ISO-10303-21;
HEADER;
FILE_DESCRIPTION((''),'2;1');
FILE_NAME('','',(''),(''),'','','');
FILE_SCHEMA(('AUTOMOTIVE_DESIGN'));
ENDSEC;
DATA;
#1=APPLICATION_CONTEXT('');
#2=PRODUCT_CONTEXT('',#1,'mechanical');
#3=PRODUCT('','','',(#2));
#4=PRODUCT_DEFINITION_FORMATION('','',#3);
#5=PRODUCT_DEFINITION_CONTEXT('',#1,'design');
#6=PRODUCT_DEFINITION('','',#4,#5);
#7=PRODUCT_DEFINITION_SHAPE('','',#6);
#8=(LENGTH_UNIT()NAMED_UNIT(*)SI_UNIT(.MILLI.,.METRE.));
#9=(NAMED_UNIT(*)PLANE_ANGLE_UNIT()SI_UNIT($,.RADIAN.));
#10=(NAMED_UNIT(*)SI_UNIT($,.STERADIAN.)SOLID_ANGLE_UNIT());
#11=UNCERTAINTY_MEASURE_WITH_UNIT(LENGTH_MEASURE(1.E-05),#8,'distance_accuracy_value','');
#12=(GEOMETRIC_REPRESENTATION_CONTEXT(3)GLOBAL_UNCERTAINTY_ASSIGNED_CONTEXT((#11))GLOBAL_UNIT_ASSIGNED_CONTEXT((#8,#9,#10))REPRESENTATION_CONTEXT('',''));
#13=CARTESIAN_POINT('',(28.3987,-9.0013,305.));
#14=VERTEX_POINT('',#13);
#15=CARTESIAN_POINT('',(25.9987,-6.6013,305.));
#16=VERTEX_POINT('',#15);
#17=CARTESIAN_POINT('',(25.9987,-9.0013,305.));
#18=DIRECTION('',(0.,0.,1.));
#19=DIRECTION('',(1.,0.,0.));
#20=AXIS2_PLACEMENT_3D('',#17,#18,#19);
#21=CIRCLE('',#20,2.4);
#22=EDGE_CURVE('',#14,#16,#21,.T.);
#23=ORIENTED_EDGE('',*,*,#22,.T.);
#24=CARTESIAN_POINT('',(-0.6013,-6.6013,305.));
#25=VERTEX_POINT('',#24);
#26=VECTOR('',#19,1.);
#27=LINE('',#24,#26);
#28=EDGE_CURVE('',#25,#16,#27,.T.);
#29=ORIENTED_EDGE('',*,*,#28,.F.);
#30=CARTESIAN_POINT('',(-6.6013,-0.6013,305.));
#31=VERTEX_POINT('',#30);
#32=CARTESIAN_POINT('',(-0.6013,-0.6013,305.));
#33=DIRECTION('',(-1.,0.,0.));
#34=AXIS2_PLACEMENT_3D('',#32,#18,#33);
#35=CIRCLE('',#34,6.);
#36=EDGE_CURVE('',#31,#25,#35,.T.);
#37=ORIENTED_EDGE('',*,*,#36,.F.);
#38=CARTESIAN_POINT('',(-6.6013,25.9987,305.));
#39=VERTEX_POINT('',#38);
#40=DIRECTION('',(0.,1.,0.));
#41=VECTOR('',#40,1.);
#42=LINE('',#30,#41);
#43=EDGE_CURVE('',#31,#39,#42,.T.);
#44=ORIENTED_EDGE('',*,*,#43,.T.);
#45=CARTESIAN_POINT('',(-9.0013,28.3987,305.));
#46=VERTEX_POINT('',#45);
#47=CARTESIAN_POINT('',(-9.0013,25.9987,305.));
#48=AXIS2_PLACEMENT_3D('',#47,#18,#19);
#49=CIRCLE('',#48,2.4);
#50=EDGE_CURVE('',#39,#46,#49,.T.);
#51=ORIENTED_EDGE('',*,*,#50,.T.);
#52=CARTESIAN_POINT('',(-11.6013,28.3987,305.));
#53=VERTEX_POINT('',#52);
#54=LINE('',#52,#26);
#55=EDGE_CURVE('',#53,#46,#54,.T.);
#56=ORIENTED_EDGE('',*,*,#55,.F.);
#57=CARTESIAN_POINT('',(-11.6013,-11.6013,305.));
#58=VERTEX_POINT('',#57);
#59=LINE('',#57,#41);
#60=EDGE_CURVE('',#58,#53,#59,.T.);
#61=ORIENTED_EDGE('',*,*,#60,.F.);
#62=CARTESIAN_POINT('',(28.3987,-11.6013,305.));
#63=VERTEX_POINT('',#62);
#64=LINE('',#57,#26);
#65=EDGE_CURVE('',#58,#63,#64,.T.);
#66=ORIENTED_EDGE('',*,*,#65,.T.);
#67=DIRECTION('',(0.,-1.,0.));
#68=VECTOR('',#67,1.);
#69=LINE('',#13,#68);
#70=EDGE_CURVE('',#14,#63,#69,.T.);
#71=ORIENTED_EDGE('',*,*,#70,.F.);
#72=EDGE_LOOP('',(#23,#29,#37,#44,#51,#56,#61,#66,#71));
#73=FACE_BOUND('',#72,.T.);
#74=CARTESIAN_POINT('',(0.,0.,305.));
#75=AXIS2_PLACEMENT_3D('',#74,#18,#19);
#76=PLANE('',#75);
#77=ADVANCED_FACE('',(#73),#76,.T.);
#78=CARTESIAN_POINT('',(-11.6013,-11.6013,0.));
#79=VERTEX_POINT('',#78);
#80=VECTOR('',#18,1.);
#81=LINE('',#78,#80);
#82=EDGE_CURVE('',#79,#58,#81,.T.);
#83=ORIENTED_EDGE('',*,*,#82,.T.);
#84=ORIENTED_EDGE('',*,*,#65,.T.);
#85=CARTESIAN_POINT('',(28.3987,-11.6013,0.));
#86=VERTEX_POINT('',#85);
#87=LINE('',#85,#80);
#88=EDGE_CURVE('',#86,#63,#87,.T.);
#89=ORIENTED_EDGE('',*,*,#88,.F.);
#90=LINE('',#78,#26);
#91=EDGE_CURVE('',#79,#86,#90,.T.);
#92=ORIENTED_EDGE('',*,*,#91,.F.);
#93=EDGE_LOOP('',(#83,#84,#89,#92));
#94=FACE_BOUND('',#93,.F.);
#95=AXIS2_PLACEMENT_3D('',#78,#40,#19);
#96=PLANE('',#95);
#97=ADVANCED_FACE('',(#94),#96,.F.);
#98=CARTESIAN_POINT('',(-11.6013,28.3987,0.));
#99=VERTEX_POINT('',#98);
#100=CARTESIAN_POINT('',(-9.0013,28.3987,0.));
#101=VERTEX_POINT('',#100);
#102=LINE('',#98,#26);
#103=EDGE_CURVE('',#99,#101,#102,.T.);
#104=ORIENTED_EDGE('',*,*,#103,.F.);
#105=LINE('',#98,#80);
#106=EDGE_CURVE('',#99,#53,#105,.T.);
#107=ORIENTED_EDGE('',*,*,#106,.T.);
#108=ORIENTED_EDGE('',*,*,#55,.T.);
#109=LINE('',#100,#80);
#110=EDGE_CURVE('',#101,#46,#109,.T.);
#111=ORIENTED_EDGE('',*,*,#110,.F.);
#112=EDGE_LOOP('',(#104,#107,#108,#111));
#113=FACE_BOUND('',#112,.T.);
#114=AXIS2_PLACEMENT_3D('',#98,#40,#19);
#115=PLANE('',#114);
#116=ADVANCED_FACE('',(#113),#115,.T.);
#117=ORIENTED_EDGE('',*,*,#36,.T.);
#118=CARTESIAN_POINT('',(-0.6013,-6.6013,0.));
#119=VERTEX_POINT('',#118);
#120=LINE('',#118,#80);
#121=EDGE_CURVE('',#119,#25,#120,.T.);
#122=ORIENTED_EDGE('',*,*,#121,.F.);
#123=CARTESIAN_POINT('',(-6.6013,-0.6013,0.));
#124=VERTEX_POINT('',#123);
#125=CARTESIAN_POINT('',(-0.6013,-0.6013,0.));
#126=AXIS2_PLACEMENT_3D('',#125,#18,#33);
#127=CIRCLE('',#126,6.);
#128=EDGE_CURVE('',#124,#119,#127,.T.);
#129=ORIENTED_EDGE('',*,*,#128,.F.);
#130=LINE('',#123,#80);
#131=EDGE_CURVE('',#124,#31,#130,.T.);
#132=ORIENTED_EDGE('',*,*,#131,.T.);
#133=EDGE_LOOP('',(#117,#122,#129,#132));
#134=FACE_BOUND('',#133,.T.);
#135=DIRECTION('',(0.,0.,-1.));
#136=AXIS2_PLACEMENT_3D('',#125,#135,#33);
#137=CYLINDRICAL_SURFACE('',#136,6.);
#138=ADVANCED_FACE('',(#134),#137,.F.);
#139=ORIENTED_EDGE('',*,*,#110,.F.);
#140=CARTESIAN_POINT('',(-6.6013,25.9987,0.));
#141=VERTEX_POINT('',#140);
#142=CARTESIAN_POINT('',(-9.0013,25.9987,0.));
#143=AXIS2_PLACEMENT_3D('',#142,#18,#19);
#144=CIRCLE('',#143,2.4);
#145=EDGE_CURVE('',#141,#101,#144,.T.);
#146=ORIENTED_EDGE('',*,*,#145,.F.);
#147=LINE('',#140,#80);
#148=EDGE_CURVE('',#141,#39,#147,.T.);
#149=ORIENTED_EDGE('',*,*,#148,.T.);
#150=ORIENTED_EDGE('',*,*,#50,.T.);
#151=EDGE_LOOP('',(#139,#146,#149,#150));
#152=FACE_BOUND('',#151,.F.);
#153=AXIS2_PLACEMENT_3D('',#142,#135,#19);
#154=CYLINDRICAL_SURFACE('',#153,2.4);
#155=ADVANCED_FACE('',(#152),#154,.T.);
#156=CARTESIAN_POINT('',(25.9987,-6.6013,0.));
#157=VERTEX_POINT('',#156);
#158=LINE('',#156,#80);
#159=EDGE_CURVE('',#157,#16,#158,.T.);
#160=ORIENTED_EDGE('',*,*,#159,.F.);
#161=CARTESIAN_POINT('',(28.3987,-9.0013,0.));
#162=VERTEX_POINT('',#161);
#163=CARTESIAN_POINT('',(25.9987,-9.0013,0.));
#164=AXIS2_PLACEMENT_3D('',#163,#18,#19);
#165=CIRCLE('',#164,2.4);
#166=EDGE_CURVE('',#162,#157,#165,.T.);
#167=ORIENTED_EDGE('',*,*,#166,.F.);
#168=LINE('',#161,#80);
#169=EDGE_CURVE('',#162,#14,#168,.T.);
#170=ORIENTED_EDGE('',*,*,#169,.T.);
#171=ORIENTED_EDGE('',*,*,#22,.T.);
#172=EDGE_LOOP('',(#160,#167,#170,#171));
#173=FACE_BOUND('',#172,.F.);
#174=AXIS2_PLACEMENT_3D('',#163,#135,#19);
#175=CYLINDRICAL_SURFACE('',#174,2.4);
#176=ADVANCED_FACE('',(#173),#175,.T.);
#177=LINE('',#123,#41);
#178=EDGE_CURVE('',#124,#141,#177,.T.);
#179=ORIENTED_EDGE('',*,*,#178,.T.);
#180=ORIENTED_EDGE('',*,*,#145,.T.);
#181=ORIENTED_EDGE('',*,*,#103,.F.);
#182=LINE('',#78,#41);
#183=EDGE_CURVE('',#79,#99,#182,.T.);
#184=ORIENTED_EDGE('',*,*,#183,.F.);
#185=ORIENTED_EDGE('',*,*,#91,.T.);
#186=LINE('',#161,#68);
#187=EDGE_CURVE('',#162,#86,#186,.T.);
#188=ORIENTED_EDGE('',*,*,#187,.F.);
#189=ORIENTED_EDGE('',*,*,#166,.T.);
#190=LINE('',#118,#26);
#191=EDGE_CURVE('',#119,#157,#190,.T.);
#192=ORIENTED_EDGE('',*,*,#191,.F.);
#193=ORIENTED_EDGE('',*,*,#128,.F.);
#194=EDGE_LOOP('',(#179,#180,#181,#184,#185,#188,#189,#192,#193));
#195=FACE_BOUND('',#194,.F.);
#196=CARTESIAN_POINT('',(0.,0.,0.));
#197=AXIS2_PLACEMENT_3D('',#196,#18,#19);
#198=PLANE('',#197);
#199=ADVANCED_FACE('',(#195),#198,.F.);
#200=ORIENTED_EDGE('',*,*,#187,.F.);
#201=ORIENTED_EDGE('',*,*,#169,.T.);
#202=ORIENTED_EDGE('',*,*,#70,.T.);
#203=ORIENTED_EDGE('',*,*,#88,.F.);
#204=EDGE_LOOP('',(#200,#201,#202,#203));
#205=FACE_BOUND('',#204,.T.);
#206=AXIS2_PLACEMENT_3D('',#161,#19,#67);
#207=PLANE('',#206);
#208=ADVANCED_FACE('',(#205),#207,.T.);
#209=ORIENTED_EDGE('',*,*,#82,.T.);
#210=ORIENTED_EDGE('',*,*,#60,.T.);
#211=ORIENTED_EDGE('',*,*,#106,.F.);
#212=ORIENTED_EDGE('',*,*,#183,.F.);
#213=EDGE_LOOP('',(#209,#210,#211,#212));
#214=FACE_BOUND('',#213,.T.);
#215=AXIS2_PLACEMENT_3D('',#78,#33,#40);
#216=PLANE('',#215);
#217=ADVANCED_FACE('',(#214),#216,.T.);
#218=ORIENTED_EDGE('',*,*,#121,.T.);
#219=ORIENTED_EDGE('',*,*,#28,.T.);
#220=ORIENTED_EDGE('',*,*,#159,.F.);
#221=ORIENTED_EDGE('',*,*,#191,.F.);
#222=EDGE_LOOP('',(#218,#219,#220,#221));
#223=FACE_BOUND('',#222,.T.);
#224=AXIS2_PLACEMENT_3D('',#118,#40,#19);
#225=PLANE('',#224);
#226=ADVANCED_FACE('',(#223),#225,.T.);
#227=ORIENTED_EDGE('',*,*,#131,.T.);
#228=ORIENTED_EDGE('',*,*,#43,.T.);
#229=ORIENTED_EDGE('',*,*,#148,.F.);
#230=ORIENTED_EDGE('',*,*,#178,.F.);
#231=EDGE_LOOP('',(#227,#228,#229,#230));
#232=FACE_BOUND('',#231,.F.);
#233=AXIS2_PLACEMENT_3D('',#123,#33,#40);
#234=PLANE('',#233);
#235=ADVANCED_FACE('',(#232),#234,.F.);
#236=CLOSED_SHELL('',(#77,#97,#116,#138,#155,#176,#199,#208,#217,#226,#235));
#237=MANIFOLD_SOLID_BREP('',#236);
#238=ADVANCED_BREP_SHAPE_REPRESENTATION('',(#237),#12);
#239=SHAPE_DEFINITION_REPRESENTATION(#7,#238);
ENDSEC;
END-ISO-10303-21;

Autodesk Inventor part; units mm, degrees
ref_plane "YZ Plane" through (0, 0, 0) normal (1, 0, 0) x (0, 1, 0)
ref_plane "Start Plane" through (0, 0, 0) normal (0, 0, 1) x (1, 0, 0)
ref_plane "End Plane" through (0, 0, 305) normal (0, 0, 1) x (1, 0, 0)
sketch "Sketch" plane through (0, 0, 0) normal (0, 0, 1) x (1, 0, 0)
  line L0 (-6.6013, -0.6013) -> (-6.6013, 25.9987)
  line L1 (-11.6013, 28.3987) -> (-9.0013, 28.3987)
  line L2 (-11.6013, -11.6013) -> (-11.6013, 28.3987)
  line L3 (-11.6013, -11.6013) -> (28.3987, -11.6013)
  line L4 (28.3987, -9.0013) -> (28.3987, -11.6013)
  line L5 (-0.6013, -6.6013) -> (25.9987, -6.6013)
  arc A0 (-6.6013, -0.6013) -> (-0.6013, -6.6013) centre (-0.6013, -0.6013) ccw
  arc A1 (-6.6013, 25.9987) -> (-9.0013, 28.3987) centre (-9.0013, 25.9987) ccw
  arc A2 (28.3987, -9.0013) -> (25.9987, -6.6013) centre (25.9987, -9.0013) ccw
  line L6 (0, 36.9952) -> (0, -19.7007) construction
  line L7 (-19.7007, 0) -> (36.9952, 0) construction
  point P0 (-6.6013, -6.6013)
  point P1 (-6.6013, 28.3987)
  point P2 (28.3987, -6.6013)
  dimension "d4" = 40
  dimension "d6" = 40
  dimension "d8" = 5
  dimension "d10" = 5
  dimension "d17" = 6
  dimension "d18" = 2.4
  dimension "d19" = 11.6013
  dimension "d20" = 11.6013
extrude "Body" add sketch "Sketch" along normal up to surface (305 mm away) from surface at 0
sketch "Sketch3" plane through (0, 0, 0) normal (0, 0, 1) x (1, 0, 0)
  line L0 (0, 0) -> (10, 0)
ref_plane "Work Plane10" through (0, 0, 0) normal (0, -1, 0) x (1, 0, 0)
sketch "Sketch4" plane through (0, 0, 0) normal (0, -1, 0) x (1, 0, 0)
  line L0 (-2, 0) -> (12, 0)
  line L1 (-2, 305) -> (12, 305)
  dimension "d24" = 305
equation "\"d4\" = b"
equation "\"d6\" = b"
equation "\"d8\" = ParT"
equation "\"d10\" = ParT"
equation "\"d17\" = R"
equation "\"d18\" = R1"
equation "\"d19\" = ex"
equation "\"d20\" = d19"
equation "\"d11\" = G_L"
equation "\"b\" = 40"
equation "\"ParT\" = 5"
equation "\"R\" = 6"
equation "\"R1\" = 2.4"
equation "\"G_L\" = d24"
equation "\"G_OFFSET_START\" = 0"
equation "\"G_OFFSET_END\" = 0"
equation "\"d22\" = G_OFFSET_END + B_L"
equation "\"B_L\" = 305"
equation "\"ex\" = 11.601307"
properties part number "BS 4848 - 40x40x5-305" material "Steel, Mild"
